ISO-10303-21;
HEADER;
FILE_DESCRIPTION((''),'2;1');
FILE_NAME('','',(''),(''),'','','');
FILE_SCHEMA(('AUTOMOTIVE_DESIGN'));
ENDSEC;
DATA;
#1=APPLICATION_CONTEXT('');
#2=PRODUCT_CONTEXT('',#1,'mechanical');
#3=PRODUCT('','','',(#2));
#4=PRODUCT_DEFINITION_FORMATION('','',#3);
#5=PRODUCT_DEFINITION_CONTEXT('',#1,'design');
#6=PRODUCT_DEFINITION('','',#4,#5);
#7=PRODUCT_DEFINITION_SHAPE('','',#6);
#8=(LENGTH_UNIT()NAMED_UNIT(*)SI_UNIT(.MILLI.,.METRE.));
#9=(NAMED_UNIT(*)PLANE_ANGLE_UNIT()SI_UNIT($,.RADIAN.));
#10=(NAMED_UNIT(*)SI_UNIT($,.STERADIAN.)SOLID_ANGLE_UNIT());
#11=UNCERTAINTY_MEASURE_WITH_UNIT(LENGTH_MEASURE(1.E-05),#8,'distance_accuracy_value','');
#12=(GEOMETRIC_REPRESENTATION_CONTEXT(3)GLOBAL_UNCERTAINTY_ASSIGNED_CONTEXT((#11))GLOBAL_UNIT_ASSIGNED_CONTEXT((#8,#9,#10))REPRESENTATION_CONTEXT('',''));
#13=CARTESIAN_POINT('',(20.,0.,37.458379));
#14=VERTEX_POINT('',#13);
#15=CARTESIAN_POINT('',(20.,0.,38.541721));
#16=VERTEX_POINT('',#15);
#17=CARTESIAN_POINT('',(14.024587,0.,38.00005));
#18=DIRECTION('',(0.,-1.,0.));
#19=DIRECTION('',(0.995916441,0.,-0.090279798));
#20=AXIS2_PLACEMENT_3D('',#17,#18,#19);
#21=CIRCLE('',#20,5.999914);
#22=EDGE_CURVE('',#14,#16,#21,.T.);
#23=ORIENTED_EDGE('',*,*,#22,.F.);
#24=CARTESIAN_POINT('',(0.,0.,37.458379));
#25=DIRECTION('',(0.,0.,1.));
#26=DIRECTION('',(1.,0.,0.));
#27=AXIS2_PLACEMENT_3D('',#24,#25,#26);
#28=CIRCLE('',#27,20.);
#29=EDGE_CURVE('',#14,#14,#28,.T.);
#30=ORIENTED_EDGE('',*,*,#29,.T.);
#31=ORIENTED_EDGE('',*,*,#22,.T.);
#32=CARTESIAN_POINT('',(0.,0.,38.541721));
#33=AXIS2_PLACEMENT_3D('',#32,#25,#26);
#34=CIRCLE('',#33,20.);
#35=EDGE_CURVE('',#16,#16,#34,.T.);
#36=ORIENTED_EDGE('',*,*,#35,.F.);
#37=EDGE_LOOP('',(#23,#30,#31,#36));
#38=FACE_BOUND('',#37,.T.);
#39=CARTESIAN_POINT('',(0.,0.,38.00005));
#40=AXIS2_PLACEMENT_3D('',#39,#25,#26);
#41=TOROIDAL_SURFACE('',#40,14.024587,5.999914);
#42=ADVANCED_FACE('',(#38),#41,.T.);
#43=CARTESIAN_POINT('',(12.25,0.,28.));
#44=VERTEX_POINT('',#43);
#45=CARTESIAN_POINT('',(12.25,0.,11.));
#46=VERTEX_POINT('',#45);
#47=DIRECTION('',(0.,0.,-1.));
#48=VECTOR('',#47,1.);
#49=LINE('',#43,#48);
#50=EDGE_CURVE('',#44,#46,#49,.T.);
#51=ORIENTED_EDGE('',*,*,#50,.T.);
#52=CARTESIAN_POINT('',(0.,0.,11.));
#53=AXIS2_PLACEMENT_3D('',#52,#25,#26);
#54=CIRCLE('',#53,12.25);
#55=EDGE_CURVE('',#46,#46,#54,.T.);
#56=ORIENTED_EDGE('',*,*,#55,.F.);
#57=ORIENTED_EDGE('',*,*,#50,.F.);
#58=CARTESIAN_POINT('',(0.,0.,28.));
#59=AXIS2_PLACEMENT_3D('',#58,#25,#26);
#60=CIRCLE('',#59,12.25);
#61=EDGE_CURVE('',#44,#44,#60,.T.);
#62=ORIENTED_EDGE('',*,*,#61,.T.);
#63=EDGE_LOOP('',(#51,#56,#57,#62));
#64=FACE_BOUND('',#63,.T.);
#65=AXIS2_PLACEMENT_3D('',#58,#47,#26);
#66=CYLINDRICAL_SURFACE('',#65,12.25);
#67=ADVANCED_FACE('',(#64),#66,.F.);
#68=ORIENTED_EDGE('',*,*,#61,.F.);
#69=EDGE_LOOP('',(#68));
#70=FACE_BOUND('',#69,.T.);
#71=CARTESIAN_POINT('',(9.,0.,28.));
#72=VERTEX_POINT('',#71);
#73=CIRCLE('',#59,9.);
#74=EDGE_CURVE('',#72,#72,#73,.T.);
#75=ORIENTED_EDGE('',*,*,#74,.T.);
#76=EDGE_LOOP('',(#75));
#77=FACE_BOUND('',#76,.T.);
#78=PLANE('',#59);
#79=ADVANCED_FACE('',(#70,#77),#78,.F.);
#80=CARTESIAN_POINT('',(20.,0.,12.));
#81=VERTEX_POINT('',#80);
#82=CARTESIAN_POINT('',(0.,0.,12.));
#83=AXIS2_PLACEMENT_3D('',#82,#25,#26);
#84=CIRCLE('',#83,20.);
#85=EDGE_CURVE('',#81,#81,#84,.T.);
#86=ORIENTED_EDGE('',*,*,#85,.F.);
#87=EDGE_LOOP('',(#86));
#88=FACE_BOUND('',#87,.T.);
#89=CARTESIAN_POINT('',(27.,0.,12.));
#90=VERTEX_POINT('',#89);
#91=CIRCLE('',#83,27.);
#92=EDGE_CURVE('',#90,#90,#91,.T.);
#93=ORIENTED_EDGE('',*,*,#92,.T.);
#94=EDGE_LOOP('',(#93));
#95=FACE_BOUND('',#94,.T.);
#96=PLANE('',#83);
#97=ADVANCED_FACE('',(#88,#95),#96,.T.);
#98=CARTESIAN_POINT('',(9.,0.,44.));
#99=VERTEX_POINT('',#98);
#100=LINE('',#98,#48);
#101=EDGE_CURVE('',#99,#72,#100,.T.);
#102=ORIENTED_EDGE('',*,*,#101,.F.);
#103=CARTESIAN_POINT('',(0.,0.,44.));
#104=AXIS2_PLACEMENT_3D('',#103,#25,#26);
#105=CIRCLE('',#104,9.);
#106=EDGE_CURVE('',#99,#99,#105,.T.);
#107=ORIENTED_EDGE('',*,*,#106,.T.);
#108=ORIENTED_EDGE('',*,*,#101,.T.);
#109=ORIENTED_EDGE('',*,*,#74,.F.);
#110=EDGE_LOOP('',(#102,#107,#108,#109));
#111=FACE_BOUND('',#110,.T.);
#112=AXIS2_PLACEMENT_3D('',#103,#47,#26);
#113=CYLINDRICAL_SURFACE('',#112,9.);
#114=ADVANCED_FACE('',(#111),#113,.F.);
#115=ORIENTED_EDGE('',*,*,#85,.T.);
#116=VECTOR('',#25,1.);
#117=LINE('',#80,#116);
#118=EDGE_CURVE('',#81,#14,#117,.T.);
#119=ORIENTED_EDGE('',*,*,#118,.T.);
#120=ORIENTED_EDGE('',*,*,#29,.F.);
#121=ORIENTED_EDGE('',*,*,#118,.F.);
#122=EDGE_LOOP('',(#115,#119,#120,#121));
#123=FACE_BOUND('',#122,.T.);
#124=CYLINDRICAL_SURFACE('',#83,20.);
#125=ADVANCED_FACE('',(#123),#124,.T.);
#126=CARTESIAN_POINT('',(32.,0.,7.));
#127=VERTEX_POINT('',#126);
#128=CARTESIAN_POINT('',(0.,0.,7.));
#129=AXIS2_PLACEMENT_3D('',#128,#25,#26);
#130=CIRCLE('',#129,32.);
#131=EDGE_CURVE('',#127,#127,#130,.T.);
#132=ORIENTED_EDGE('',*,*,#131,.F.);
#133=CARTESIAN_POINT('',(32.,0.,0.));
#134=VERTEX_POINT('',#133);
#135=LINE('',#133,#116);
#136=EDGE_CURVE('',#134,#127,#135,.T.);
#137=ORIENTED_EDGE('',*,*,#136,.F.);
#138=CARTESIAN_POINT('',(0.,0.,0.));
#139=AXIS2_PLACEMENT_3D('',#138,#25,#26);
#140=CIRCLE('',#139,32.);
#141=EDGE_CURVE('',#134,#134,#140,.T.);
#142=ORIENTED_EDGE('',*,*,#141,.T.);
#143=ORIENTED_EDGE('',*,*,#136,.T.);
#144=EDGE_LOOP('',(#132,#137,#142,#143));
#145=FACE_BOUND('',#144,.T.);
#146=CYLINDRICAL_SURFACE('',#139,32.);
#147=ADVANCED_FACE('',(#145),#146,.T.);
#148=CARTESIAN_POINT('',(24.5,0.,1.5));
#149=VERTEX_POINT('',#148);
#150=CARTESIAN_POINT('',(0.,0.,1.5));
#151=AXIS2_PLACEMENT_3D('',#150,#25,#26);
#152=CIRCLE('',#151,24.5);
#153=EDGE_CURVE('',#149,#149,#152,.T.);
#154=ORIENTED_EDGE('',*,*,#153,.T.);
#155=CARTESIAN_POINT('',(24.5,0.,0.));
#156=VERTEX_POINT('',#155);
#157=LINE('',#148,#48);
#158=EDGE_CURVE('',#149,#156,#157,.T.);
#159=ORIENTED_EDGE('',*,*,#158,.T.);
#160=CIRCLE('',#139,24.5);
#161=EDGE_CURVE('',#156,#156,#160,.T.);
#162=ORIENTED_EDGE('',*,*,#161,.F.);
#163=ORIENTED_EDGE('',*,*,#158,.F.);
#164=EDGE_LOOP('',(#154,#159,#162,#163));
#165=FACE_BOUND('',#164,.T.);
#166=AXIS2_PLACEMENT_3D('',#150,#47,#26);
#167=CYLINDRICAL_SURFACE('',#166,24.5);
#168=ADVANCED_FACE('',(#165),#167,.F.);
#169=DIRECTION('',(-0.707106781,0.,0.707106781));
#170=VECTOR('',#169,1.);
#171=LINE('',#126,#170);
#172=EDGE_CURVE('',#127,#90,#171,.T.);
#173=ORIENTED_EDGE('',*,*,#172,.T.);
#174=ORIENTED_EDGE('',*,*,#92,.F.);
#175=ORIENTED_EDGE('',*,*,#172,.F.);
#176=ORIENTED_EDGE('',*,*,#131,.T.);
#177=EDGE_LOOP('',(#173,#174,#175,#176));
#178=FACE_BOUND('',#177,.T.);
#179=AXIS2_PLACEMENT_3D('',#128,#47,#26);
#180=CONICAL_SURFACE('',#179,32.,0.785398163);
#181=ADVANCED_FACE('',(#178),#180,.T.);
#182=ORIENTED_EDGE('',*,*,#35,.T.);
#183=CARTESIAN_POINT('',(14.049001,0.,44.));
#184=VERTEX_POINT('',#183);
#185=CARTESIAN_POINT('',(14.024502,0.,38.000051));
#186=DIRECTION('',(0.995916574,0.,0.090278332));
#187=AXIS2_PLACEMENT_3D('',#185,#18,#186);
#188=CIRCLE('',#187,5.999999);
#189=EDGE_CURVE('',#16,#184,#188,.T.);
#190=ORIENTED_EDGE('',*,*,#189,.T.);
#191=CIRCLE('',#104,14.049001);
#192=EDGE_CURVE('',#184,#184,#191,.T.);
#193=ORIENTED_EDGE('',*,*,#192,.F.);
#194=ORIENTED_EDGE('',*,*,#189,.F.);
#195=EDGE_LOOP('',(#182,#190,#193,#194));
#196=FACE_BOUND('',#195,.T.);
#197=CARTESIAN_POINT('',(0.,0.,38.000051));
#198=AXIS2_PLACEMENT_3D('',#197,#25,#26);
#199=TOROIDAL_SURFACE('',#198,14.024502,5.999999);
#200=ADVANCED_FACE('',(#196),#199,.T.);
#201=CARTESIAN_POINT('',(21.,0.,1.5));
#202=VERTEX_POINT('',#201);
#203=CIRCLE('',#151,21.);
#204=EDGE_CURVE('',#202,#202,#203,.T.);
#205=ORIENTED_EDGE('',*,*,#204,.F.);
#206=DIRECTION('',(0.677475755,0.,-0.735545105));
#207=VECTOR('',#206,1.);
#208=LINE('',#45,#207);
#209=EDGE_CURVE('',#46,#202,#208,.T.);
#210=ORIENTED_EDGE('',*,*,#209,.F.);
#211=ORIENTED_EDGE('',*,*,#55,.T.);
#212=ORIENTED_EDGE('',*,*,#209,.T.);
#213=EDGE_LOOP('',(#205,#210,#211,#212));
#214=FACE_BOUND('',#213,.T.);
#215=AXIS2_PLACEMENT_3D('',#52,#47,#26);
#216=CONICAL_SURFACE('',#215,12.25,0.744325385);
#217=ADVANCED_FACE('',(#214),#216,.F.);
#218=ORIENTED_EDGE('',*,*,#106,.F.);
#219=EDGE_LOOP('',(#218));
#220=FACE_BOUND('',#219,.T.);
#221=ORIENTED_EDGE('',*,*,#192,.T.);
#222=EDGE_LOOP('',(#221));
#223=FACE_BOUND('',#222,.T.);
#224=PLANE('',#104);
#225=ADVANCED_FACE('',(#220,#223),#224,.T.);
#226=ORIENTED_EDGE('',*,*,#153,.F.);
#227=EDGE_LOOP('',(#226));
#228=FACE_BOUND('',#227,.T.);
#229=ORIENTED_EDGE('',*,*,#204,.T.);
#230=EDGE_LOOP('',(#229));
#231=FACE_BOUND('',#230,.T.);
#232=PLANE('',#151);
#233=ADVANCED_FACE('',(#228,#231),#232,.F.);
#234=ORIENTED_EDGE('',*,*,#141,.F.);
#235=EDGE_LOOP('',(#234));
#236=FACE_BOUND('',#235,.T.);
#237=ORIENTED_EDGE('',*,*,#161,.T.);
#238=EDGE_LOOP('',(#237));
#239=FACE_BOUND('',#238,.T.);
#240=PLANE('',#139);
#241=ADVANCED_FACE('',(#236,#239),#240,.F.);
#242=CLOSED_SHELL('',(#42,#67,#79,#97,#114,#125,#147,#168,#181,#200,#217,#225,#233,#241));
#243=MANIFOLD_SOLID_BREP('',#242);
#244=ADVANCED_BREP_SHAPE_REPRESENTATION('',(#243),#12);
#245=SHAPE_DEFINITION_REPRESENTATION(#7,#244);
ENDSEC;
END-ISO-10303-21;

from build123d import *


with BuildPart() as f1:
    # F0 (on Front) → F1 (revolve)
    with BuildSketch(Plane.XZ):
        with BuildLine():
            Line((24.5, 0), (32, 0))
            Line((32, 0), (32, 7))
            Line((32, 7), (27, 12))
            Line((27, 12), (20, 12))
            Line((20, 12), (20, 37.458379))
            Line((20, 37.458379), (20, 38.541721))
            ThreePointArc((20, 38.541721), (18.080139, 42.421792), (14.049001, 44))
            Line((14.049001, 44), (14, 44))
            Line((14, 44), (9, 44))
            Line((9, 44), (9, 28))
            Line((9, 28), (12.25, 28))
            Line((12.25, 28), (12.25, 11))
            Line((12.25, 11), (21, 1.5))
            Line((21, 1.5), (24.5, 1.5))
            Line((24.5, 1.5), (24.5, 0))
        make_face()
        with BuildLine():
            Line((20, 38.541721), (20, 37.458379))
            ThreePointArc((20, 37.458379), (20.024501, 38.00005), (20, 38.541721))
        make_face()
    revolve(axis=Axis((0, 0, 23.532523), (0, 0, 1)))


solid = f1.part
